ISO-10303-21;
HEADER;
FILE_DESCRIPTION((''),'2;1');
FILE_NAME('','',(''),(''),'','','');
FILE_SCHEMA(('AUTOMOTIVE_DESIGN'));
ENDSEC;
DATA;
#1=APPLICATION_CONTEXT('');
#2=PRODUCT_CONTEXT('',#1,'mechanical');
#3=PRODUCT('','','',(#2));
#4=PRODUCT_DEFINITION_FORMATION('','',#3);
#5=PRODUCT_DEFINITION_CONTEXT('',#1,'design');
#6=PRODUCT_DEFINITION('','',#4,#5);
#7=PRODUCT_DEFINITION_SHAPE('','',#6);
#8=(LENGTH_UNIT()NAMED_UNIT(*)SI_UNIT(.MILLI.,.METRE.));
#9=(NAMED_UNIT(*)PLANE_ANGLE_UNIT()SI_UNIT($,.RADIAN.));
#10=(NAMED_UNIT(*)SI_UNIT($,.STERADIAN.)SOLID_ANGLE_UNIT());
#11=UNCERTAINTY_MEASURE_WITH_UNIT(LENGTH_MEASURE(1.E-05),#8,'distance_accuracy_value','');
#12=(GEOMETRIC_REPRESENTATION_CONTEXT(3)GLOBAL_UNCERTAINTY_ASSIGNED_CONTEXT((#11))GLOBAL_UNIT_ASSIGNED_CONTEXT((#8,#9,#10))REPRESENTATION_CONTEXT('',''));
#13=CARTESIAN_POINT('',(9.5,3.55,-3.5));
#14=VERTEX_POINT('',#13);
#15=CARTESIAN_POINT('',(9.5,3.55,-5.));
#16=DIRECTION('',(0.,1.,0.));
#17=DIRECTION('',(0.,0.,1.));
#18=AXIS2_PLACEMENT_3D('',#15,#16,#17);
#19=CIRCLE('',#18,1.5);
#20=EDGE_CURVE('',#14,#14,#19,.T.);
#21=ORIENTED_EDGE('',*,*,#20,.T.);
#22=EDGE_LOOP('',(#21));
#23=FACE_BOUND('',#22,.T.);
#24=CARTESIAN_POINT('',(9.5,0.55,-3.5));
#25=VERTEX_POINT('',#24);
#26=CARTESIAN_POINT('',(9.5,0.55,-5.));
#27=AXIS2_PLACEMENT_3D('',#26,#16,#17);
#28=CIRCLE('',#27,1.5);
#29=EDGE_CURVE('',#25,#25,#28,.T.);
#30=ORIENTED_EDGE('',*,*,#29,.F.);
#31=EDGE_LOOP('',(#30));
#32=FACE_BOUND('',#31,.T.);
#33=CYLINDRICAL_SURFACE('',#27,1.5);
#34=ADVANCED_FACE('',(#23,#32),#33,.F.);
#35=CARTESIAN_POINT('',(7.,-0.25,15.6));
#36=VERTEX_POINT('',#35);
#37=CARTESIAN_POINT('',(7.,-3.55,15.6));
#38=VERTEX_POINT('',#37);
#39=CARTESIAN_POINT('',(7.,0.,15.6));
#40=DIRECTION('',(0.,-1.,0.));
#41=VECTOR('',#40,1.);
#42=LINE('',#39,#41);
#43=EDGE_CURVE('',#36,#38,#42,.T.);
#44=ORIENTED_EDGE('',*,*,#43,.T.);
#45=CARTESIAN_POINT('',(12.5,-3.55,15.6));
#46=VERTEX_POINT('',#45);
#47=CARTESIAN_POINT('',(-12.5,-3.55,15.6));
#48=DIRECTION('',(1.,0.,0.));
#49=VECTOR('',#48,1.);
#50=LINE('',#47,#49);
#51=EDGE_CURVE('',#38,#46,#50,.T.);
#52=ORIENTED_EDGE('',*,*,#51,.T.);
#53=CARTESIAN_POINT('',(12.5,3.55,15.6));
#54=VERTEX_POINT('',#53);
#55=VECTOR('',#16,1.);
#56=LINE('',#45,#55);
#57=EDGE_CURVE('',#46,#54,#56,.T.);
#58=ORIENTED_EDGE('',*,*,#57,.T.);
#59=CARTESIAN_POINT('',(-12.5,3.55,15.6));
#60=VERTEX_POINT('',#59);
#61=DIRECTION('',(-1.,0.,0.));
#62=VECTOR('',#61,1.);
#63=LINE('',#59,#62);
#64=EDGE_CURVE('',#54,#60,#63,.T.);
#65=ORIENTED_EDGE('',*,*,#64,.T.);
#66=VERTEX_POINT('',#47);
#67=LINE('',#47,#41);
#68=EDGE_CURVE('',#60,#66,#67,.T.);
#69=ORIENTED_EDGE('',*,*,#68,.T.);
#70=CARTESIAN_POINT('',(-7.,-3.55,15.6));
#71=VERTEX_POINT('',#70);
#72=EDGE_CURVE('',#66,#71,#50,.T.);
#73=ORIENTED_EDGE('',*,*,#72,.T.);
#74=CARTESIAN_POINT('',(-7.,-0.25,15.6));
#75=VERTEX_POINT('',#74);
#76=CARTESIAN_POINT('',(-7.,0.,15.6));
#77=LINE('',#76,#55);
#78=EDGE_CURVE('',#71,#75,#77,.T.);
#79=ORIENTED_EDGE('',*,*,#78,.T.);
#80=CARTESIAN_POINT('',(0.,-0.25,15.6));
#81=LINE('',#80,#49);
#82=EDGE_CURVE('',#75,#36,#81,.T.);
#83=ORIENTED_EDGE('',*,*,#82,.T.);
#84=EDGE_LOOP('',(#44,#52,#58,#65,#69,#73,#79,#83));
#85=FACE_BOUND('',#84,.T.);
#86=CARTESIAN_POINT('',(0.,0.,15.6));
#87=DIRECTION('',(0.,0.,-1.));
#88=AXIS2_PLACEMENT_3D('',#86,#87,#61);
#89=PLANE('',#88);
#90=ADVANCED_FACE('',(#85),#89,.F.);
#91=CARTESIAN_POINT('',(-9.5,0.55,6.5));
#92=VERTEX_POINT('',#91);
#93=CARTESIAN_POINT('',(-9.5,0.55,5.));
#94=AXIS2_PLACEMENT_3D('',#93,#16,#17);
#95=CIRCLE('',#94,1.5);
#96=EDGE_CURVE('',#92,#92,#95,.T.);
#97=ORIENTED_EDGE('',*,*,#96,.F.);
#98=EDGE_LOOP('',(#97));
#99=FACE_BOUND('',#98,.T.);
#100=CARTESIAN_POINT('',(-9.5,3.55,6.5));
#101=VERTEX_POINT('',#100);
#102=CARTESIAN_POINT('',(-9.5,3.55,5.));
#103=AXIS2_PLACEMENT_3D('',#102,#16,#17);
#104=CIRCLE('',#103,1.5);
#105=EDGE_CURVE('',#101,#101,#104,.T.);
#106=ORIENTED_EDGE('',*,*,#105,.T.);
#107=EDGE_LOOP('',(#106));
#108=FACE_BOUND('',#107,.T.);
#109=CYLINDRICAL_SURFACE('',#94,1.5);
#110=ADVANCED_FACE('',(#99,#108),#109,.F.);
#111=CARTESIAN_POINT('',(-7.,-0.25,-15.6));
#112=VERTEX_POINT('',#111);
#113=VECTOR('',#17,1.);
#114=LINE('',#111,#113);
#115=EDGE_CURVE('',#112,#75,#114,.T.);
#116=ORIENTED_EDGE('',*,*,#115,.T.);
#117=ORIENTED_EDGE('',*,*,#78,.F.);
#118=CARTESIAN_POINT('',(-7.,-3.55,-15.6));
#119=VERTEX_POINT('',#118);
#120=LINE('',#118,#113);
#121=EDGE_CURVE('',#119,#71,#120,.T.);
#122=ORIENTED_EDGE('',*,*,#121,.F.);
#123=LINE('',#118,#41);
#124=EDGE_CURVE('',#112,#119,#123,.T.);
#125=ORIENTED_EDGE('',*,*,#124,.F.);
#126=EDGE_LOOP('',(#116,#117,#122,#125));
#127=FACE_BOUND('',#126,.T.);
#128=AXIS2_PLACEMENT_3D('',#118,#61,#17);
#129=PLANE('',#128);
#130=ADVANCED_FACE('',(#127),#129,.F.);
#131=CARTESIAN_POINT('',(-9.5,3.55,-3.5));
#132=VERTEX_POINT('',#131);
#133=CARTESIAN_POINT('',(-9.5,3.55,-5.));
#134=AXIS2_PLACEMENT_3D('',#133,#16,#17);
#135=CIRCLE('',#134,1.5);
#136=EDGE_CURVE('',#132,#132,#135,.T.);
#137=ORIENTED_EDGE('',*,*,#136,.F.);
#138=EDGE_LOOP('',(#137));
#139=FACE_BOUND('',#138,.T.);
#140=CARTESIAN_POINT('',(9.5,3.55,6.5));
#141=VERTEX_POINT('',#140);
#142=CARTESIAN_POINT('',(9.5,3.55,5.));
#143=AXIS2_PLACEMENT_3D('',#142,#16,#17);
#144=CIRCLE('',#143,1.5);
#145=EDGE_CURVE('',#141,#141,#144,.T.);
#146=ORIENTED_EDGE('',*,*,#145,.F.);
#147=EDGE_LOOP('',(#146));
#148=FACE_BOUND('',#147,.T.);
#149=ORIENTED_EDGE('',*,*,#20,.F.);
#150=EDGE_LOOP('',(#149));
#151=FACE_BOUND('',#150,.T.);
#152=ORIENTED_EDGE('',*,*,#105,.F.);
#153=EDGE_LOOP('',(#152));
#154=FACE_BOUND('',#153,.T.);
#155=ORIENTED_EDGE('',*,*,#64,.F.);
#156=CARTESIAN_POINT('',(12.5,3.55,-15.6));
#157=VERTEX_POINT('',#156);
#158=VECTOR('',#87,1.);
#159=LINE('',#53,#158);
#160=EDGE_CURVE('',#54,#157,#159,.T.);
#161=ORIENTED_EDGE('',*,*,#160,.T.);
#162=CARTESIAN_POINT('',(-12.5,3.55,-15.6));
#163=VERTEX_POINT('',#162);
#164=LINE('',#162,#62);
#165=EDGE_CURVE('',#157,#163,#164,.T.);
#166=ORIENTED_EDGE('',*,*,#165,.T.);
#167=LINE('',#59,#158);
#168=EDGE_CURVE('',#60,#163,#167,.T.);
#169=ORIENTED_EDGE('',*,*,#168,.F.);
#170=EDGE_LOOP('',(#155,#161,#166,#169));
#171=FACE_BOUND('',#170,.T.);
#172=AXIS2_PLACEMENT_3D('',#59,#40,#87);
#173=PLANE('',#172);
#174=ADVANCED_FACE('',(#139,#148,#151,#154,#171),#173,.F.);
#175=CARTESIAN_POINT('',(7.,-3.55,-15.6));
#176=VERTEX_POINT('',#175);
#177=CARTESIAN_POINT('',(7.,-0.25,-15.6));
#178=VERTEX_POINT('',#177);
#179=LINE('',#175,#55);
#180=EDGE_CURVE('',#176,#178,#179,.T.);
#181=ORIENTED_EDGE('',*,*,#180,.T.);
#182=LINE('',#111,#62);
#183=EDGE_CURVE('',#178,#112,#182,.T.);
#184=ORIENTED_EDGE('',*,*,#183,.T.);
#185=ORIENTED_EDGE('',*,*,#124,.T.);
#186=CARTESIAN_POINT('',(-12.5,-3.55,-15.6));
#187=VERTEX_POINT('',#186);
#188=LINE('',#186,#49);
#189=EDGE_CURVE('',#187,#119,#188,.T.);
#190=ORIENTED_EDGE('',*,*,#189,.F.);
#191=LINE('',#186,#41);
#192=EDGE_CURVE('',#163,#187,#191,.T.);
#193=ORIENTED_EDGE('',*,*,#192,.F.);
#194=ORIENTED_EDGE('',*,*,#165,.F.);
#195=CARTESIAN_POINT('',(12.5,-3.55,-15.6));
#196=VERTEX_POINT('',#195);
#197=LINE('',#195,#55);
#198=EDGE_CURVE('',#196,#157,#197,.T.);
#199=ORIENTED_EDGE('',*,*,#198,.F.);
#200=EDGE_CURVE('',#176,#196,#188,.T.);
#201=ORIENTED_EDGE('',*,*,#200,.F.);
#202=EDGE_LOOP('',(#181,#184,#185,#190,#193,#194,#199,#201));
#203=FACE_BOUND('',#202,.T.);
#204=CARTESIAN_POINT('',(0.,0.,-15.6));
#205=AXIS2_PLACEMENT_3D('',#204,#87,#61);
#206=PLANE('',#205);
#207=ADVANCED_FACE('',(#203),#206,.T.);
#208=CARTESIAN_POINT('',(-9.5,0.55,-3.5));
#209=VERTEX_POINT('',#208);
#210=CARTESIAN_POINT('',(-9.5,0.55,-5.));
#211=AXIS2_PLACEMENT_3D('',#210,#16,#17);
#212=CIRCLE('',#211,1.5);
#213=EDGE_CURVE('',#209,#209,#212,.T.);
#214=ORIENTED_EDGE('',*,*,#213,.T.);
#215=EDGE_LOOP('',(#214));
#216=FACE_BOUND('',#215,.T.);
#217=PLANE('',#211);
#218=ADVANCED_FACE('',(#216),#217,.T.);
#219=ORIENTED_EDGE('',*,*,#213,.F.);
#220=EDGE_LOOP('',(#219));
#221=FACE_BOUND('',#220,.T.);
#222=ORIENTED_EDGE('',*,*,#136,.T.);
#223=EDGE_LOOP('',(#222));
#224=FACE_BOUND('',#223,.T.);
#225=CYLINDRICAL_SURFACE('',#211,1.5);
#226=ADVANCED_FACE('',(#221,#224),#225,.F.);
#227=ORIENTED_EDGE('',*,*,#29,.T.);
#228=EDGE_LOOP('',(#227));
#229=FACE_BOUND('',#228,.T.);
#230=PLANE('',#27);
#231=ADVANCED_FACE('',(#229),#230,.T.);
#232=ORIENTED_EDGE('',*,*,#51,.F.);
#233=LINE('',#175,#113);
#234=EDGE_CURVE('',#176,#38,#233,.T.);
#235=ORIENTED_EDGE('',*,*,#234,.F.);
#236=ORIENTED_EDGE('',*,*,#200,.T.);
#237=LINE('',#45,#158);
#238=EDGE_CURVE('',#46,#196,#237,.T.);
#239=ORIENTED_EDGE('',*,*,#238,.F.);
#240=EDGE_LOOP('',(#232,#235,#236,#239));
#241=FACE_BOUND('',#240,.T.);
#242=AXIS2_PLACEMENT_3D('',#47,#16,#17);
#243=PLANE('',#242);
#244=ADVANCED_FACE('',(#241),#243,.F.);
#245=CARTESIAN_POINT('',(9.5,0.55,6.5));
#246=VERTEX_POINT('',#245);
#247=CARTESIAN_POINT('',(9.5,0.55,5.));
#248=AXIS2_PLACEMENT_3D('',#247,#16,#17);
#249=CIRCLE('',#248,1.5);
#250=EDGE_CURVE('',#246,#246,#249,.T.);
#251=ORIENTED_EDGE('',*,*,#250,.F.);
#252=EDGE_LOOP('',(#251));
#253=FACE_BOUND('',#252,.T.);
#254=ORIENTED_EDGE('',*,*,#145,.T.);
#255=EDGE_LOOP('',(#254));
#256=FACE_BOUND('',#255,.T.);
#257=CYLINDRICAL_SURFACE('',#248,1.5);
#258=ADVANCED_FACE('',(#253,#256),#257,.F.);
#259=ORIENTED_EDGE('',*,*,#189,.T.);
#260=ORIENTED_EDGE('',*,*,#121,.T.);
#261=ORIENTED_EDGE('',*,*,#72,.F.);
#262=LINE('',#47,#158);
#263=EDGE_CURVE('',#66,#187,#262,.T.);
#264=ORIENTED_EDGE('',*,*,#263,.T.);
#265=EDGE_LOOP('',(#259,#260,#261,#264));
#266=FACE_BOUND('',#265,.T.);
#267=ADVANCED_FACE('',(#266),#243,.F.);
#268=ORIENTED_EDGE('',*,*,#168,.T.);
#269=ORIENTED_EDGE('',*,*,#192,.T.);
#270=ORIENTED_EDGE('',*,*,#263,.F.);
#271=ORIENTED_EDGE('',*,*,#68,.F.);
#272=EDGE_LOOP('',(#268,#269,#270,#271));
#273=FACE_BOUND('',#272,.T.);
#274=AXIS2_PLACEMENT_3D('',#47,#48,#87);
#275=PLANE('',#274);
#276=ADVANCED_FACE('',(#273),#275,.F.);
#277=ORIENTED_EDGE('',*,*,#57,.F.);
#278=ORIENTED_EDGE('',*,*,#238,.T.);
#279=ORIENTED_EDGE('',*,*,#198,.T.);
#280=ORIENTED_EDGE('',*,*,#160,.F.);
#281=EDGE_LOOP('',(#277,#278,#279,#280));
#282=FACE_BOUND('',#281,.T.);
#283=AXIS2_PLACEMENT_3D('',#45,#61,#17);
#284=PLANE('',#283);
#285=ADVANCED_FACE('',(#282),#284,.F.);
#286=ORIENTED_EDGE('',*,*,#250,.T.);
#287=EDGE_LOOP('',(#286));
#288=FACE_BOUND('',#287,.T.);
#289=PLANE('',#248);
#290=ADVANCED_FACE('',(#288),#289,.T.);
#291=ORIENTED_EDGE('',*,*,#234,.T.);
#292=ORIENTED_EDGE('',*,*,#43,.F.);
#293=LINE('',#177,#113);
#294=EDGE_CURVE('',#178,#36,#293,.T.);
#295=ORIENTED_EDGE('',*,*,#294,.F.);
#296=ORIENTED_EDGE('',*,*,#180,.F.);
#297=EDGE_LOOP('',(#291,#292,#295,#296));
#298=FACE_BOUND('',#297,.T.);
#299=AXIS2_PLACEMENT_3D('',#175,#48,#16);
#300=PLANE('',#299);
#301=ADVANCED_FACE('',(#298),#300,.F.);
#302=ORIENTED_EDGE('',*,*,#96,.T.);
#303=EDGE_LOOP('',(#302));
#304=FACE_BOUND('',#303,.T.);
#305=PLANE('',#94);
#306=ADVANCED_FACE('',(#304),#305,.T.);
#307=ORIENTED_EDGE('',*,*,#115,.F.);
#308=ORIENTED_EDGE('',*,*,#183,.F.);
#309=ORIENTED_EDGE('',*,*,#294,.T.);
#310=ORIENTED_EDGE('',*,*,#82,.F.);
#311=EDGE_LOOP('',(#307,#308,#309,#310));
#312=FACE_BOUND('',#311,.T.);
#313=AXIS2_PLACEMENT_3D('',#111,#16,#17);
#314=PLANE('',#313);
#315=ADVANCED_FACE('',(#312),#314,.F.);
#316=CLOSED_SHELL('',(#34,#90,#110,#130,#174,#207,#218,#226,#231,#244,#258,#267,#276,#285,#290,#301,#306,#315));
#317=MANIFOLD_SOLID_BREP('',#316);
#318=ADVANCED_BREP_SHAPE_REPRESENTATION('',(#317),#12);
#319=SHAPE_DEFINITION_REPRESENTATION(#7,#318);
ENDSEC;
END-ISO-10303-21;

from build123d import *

# Parameters (mm, degrees)
SKETCH_1_W               = 25
SKETCH_1_H               = 7.1
EXTRUDE_1_DEPTH          = 15.6
CUT_EXTRUDE_1_DEPTH      = 34.797817977
CUT_EXTRUDE_1_DEPTH_BACK = 34.797817977
SKETCH_2_W               = 14
SKETCH_2_H               = 3.3
SKETCH_3_R               = 1.5
CUT_EXTRUDE_2_DEPTH      = 3


with BuildPart() as part:
    # 草图1 → 凸台-拉伸1 (new, symmetric)
    with BuildSketch(Plane.XY):
        Rectangle(SKETCH_1_W, SKETCH_1_H)
    extrude(amount=EXTRUDE_1_DEPTH, both=True)

    # 草图2 → 切除-拉伸1 (cut, two sides: drawn at the far end of the back side and taken through both)
    with BuildSketch(Plane.XY.offset(15.6).offset(-CUT_EXTRUDE_1_DEPTH_BACK)):
        with Locations((0, -1.9)):
            Rectangle(SKETCH_2_W, SKETCH_2_H)
    extrude(amount=CUT_EXTRUDE_1_DEPTH + CUT_EXTRUDE_1_DEPTH_BACK, mode=Mode.SUBTRACT)

    # 草图3 → 切除-拉伸2 (cut)
    with BuildSketch(Plane(origin=(0, 3.55, 0), x_dir=(1, 0, 0), z_dir=(0, 1, 0))):
        with Locations(Location((9.5, -5, 0), (0, 0, 270))):
            Circle(SKETCH_3_R)
        with Locations(Location((-9.5, -5, 0), (0, 0, 270))):
            Circle(SKETCH_3_R)
        with Locations(Location((-9.5, 5, 0), (0, 0, 270))):
            Circle(SKETCH_3_R)
        with Locations(Location((9.5, 5, 0), (0, 0, 270))):
            Circle(SKETCH_3_R)
    extrude(amount=-CUT_EXTRUDE_2_DEPTH, mode=Mode.SUBTRACT)


solid = part.part
